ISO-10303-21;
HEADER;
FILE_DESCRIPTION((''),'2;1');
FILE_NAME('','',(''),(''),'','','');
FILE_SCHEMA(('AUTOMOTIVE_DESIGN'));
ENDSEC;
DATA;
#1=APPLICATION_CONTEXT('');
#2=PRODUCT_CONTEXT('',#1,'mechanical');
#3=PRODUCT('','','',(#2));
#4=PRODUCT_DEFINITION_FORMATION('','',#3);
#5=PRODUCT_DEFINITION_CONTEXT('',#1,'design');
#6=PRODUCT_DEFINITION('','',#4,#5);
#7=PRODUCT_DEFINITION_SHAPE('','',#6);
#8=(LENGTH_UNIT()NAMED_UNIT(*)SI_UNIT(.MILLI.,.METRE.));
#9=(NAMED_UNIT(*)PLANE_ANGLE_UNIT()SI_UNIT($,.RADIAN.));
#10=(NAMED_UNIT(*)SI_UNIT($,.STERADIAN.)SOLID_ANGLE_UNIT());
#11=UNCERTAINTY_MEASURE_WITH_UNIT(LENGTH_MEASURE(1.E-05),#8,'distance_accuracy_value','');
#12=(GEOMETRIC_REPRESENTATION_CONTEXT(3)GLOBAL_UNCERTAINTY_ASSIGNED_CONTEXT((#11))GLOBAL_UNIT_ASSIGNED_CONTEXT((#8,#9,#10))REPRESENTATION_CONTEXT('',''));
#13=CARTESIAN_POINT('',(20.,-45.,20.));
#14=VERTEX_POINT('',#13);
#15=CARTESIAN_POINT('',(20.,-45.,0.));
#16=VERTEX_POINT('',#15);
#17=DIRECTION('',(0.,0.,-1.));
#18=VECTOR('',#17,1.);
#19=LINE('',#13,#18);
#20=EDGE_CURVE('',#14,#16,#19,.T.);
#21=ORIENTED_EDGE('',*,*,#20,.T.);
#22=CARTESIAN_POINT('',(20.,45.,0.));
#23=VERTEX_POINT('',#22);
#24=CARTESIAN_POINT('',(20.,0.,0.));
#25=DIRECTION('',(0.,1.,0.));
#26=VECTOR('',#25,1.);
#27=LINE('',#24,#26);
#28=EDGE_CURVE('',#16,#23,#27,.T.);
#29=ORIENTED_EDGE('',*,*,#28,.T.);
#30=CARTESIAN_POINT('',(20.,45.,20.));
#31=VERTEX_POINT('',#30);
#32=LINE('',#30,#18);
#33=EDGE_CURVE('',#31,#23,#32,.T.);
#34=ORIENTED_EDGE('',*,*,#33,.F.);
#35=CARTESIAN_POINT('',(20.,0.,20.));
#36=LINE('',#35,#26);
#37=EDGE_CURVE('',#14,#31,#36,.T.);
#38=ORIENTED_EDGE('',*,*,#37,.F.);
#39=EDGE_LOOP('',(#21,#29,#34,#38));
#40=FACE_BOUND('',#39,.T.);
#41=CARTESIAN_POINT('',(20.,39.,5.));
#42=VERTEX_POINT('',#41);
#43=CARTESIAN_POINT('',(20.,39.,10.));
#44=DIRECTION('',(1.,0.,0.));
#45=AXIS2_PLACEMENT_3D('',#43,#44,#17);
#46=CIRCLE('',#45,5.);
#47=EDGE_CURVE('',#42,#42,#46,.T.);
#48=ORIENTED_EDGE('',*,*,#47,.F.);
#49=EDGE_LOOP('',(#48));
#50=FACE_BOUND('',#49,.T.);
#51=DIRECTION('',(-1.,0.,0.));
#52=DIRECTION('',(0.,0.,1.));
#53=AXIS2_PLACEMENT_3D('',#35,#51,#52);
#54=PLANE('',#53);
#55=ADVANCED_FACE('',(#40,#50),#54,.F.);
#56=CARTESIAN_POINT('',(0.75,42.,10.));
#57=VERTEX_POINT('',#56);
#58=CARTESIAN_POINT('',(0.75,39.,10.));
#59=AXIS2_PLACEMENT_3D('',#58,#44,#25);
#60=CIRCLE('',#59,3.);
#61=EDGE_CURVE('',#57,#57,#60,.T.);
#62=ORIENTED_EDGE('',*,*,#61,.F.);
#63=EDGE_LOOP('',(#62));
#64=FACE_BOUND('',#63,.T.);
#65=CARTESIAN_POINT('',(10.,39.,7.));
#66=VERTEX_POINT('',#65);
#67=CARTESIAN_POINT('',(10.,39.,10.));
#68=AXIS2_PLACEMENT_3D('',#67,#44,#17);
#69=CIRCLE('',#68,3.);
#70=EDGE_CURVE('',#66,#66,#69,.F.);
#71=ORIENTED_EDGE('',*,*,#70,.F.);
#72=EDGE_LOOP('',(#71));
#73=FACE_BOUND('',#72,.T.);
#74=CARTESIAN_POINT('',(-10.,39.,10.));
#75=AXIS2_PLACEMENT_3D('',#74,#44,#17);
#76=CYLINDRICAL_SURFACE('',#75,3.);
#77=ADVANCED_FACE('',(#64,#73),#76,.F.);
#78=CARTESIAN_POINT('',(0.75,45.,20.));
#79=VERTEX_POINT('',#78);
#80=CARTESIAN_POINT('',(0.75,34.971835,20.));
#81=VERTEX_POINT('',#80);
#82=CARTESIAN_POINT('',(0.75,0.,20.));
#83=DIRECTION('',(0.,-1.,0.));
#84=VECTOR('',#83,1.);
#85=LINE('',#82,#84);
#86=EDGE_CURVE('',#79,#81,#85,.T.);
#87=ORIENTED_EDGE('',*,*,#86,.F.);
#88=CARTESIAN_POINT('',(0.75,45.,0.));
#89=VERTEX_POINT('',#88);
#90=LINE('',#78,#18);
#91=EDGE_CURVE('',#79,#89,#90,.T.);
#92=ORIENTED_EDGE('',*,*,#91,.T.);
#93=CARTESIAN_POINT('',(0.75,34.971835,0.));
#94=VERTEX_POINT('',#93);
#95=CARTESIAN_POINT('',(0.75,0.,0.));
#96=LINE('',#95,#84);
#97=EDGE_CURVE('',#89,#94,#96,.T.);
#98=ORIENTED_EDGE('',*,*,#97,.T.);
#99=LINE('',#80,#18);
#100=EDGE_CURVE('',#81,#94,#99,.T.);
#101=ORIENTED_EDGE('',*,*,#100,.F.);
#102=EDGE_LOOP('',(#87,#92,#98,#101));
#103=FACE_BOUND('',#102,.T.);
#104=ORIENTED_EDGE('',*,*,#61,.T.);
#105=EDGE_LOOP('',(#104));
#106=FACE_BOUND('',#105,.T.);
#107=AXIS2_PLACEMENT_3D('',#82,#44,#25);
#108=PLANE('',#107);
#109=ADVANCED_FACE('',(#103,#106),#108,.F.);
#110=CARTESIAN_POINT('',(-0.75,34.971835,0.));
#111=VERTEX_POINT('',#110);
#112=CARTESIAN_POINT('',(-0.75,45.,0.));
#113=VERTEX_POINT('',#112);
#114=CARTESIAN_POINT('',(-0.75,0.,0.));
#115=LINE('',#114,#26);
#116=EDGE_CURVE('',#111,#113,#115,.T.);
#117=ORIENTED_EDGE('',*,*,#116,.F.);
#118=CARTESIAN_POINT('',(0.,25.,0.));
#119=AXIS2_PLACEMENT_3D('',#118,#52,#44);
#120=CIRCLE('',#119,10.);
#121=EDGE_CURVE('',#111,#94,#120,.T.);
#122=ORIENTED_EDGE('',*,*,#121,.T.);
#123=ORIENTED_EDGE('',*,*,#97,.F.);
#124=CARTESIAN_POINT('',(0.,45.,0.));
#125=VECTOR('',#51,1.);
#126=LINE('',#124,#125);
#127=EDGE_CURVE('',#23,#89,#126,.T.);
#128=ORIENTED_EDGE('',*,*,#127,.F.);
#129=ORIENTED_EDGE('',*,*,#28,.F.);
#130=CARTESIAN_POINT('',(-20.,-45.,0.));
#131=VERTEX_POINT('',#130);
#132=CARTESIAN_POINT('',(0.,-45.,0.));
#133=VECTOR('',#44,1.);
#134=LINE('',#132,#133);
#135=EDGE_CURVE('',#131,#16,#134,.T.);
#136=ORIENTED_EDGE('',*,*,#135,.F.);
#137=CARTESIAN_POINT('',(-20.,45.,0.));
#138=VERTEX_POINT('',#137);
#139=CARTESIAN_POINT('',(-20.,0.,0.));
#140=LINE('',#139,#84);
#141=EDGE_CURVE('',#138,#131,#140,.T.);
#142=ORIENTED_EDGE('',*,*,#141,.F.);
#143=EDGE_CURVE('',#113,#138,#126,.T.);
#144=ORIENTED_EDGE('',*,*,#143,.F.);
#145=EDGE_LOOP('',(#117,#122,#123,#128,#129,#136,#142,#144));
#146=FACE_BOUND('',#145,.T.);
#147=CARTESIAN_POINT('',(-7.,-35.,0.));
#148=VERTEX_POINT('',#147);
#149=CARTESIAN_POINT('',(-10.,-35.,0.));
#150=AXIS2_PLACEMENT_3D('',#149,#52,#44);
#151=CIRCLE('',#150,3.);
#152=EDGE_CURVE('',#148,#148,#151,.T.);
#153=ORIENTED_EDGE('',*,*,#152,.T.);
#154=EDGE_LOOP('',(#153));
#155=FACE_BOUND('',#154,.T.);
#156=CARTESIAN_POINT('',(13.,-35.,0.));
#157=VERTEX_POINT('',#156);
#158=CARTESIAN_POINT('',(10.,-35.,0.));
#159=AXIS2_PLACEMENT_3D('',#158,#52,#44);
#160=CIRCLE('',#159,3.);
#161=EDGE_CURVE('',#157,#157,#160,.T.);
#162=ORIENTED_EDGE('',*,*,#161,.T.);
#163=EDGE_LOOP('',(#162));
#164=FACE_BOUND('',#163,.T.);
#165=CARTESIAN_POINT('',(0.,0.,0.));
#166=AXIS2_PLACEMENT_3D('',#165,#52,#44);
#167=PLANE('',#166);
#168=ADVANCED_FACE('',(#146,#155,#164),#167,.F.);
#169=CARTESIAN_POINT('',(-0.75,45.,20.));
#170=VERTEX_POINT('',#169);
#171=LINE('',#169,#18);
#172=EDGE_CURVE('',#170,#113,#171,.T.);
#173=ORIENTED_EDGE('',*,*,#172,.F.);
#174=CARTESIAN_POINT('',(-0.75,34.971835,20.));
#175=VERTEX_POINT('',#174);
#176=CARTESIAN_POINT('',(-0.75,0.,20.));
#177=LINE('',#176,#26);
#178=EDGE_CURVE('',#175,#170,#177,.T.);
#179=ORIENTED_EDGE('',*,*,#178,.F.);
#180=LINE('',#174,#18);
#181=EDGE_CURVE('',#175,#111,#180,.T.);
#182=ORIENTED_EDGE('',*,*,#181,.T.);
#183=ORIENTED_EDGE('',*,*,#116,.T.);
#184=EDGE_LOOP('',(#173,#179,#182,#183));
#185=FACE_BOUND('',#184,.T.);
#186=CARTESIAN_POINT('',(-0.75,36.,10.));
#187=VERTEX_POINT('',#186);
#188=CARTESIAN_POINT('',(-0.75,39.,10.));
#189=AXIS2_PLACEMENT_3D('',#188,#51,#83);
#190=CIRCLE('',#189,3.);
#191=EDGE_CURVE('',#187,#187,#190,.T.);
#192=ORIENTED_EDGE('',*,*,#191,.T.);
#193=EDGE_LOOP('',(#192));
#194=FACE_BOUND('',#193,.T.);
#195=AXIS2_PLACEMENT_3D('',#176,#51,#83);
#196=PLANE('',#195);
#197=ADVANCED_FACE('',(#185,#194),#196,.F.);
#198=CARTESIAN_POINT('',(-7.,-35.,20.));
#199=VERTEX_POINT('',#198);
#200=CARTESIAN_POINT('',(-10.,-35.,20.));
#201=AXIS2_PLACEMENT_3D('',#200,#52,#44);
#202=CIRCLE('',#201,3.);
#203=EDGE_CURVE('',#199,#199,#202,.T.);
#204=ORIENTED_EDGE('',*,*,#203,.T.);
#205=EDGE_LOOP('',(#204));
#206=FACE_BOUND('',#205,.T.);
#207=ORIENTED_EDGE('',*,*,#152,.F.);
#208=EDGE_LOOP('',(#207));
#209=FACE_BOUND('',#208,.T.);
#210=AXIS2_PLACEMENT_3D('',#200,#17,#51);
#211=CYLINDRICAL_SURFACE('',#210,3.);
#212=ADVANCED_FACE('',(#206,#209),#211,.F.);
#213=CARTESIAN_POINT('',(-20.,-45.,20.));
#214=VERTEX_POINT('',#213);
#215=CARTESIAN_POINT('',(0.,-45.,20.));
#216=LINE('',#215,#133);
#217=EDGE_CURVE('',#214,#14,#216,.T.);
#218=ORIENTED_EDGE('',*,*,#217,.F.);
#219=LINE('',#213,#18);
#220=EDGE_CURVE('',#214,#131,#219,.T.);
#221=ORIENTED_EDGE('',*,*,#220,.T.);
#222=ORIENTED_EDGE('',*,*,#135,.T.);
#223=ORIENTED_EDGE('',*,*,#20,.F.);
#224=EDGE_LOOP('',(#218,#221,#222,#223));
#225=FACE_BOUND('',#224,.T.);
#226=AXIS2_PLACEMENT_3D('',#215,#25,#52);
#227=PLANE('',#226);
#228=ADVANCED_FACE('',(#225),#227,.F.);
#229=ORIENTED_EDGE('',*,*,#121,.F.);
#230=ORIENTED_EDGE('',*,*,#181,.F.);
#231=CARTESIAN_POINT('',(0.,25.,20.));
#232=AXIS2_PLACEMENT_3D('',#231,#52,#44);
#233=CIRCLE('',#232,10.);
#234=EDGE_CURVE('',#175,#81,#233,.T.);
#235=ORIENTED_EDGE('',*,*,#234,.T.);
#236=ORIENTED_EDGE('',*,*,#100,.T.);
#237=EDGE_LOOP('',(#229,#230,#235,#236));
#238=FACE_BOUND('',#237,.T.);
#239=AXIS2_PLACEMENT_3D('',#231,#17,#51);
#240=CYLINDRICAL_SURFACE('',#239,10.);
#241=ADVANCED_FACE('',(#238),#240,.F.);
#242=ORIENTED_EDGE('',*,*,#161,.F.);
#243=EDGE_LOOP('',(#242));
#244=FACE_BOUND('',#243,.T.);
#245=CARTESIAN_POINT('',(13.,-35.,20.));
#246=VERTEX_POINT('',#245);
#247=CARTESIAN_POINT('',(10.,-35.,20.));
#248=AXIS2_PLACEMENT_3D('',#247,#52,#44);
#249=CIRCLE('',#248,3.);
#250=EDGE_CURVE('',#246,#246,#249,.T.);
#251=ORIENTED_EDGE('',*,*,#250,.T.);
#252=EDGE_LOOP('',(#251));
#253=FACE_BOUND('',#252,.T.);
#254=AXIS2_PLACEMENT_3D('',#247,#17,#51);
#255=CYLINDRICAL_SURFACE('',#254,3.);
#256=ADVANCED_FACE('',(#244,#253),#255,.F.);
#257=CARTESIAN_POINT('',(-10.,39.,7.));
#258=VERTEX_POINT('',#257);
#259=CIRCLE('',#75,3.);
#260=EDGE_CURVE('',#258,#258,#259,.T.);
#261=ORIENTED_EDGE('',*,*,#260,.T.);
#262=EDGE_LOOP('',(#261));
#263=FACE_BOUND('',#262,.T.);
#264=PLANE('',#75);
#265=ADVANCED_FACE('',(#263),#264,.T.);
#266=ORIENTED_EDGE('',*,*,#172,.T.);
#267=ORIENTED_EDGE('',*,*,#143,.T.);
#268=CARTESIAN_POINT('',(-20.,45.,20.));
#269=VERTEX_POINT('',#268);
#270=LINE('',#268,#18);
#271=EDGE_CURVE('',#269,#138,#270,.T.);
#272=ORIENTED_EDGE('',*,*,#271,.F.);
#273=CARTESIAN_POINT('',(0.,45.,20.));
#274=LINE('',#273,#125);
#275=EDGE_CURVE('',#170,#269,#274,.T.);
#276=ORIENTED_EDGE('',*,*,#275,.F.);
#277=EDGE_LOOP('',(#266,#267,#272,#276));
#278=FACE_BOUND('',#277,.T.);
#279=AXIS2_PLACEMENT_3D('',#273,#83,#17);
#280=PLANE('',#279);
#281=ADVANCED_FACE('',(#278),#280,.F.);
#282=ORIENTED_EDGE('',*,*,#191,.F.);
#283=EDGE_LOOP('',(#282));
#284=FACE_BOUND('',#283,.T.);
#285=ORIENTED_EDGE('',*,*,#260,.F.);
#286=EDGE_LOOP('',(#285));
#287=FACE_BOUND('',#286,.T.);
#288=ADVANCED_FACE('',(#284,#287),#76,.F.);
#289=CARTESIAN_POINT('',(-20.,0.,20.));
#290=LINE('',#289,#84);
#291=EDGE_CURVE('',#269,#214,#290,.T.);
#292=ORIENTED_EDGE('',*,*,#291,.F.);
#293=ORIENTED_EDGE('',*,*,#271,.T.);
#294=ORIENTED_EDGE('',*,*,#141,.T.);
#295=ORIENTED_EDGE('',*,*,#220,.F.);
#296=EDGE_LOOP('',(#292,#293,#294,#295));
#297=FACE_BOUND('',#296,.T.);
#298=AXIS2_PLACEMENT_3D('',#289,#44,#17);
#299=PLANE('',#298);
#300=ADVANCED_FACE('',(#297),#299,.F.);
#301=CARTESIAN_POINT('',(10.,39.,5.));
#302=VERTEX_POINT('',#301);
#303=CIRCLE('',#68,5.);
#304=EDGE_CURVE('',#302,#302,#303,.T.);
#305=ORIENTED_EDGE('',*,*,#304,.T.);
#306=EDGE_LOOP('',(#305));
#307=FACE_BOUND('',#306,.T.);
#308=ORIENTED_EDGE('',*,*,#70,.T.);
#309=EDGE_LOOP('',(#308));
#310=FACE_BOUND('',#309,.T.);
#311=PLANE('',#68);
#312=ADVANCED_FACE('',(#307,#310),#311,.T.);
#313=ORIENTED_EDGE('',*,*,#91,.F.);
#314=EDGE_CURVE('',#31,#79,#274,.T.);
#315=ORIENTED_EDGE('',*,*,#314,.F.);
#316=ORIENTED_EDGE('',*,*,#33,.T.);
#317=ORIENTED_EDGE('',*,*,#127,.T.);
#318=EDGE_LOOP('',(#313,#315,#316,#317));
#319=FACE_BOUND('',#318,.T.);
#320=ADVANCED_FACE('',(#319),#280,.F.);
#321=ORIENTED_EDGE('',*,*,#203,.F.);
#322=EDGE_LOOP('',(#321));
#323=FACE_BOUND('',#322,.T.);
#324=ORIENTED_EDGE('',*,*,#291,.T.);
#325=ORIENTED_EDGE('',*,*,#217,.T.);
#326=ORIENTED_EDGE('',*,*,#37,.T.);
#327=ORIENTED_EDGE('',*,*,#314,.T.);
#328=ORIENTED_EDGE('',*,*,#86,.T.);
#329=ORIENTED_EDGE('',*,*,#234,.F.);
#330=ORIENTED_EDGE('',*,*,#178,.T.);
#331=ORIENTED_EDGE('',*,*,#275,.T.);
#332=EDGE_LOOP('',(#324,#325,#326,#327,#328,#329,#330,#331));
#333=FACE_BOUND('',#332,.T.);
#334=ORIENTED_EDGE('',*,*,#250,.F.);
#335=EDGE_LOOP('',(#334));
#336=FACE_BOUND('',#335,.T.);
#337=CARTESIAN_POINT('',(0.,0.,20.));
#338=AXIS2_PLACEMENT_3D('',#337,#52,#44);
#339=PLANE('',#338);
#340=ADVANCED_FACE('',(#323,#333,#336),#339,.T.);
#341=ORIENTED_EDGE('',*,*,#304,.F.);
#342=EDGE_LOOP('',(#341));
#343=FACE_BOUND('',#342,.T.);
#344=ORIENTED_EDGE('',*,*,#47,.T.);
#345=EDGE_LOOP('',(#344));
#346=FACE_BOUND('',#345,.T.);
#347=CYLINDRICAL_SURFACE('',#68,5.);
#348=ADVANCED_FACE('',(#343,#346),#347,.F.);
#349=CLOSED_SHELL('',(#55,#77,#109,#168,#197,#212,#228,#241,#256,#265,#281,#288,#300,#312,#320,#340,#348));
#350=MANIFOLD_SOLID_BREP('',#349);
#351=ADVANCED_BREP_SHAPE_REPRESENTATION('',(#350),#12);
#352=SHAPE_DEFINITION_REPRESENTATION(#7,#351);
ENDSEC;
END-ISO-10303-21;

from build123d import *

# Parameters (mm, degrees)
CROQUIS1_R              = 3
SALIENTE_EXTRUIR1_DEPTH = 20
CROQUIS2_R              = 3
CORTAR_EXTRUIR1_DEPTH   = 30
CROQUIS3_R              = 5
CORTAR_EXTRUIR2_DEPTH   = 10


with BuildPart() as part:
    # Croquis1 → Saliente-Extruir1 (new body)
    with BuildSketch(Plane.XY):
        with BuildLine():
            Line((-0.75, 34.971835338), (-0.75, 45))
            Line((-0.75, 45), (-20, 45))
            Line((-20, 45), (-20, -45))
            Line((-20, -45), (20, -45))
            Line((20, -45), (20, 45))
            Line((20, 45), (0.75, 45))
            Line((0.75, 45), (0.75, 34.971835338))
            ThreePointArc((0.75, 34.971835338), (0, 15), (-0.75, 34.971835338))
        make_face()
        with Locations((-10, -35)):
            Circle(CROQUIS1_R, mode=Mode.SUBTRACT)
        with Locations((10, -35)):
            Circle(CROQUIS1_R, mode=Mode.SUBTRACT)
    extrude(amount=SALIENTE_EXTRUIR1_DEPTH)

    # Croquis2 → Cortar-Extruir1 (cut)
    with BuildSketch(Plane(origin=(20, 0, 0), x_dir=(0, 0, -1), z_dir=(1, 0, 0))):
        with Locations((-10, 39)):
            Circle(CROQUIS2_R)
    extrude(amount=-CORTAR_EXTRUIR1_DEPTH, mode=Mode.SUBTRACT)

    # Croquis3 → Cortar-Extruir2 (cut)
    with BuildSketch(Plane(origin=(20, 0, 0), x_dir=(0, 0, -1), z_dir=(1, 0, 0))):
        with Locations((-10, 39)):
            Circle(CROQUIS3_R)
    extrude(amount=-CORTAR_EXTRUIR2_DEPTH, mode=Mode.SUBTRACT)


solid = part.part
